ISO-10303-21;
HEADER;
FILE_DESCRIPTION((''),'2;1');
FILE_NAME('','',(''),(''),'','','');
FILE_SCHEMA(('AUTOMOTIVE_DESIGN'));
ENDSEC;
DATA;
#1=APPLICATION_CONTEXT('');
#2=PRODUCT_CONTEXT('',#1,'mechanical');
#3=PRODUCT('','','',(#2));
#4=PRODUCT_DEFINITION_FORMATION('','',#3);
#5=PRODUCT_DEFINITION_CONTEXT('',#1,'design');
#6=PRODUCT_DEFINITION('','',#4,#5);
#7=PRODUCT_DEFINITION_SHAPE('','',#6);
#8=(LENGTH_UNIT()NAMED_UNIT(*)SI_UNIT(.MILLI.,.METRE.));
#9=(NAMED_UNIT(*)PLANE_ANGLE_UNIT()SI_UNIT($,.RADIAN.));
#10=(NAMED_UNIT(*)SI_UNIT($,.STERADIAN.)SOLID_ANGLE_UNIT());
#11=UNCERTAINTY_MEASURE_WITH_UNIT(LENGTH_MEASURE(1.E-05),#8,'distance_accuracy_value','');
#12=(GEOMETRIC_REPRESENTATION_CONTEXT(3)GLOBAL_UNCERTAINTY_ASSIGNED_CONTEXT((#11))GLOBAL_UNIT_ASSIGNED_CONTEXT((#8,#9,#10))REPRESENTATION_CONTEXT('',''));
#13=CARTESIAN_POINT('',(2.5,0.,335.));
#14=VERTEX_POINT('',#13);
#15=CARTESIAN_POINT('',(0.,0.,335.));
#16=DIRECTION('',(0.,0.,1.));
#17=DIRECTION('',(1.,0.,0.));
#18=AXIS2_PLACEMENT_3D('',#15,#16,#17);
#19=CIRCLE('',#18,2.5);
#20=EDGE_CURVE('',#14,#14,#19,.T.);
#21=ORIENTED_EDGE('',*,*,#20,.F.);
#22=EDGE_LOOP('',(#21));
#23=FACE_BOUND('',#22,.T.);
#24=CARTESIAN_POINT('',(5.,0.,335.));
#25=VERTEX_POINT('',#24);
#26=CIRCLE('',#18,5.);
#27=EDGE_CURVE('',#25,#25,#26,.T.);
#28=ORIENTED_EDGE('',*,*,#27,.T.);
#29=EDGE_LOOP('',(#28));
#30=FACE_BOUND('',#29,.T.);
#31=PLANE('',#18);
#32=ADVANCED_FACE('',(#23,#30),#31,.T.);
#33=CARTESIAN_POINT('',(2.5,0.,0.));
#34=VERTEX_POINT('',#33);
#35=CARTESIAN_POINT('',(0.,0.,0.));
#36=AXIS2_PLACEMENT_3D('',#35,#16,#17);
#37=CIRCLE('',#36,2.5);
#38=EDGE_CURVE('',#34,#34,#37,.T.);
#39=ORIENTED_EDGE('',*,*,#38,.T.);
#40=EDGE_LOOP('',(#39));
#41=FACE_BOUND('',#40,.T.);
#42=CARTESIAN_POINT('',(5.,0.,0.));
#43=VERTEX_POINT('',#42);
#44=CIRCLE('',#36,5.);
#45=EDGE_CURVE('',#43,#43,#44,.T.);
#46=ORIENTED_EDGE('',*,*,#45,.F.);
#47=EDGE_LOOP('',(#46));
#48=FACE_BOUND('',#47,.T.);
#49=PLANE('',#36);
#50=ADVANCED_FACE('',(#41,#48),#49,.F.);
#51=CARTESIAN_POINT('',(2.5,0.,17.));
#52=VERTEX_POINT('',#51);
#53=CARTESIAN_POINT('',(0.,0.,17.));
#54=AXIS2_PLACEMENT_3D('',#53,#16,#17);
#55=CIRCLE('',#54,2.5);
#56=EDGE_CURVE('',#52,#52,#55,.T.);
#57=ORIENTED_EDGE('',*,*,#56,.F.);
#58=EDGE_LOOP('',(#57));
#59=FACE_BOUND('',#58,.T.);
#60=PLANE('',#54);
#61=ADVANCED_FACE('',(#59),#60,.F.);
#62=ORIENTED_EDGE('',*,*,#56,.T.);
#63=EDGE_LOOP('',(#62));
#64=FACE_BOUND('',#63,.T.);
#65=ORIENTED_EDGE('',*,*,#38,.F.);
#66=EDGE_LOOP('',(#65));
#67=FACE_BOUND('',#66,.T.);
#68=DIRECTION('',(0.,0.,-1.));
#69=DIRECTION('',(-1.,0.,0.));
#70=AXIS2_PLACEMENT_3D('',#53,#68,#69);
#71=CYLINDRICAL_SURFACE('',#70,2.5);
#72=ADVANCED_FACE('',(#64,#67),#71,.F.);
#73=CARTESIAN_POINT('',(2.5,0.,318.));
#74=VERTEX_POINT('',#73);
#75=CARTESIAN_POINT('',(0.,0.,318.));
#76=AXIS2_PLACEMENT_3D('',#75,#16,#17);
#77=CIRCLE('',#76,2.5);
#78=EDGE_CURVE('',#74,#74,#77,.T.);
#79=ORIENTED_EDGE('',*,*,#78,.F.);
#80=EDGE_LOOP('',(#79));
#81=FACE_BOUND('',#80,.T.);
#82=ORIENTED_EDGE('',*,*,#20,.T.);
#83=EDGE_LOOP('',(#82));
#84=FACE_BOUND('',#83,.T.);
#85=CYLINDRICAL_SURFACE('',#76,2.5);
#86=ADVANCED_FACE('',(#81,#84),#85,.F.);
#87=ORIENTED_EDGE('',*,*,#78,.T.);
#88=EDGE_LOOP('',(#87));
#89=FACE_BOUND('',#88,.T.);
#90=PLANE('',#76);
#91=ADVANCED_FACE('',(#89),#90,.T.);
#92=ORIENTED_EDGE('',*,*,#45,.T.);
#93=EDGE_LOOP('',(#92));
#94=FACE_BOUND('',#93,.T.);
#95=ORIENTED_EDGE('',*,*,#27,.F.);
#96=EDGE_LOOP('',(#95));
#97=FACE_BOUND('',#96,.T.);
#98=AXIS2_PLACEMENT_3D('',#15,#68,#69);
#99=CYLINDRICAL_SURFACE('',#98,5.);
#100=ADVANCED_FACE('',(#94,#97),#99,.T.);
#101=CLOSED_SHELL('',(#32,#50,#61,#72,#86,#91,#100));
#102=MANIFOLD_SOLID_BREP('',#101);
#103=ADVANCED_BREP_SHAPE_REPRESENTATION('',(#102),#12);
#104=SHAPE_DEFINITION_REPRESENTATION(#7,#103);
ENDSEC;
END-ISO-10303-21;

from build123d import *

# Parameters (mm, degrees)
SKIZZE1_R                       = 5
AUFSATZ_LINEAR_AUSTRAGEN1_DEPTH = 335
SKIZZE2_R                       = 2.5
SCHNITT_LINEAR_AUSTRAGEN3_DEPTH = 17
SKIZZE3_R                       = 2.5
SCHNITT_LINEAR_AUSTRAGEN4_DEPTH = 17


with BuildPart() as part:
    # Skizze1 → Aufsatz-Linear austragen1 (new body)
    with BuildSketch(Plane.XY):
        Circle(SKIZZE1_R)
    extrude(amount=AUFSATZ_LINEAR_AUSTRAGEN1_DEPTH)

    # Skizze2 → Schnitt-Linear austragen3 (cut)
    with BuildSketch(Plane.XY):
        Circle(SKIZZE2_R)
    extrude(amount=SCHNITT_LINEAR_AUSTRAGEN3_DEPTH, mode=Mode.SUBTRACT)

    # Skizze3 → Schnitt-Linear austragen4 (cut)
    with BuildSketch(Plane.XY.offset(335)):
        Circle(SKIZZE3_R)
    extrude(amount=-SCHNITT_LINEAR_AUSTRAGEN4_DEPTH, mode=Mode.SUBTRACT)


solid = part.part
